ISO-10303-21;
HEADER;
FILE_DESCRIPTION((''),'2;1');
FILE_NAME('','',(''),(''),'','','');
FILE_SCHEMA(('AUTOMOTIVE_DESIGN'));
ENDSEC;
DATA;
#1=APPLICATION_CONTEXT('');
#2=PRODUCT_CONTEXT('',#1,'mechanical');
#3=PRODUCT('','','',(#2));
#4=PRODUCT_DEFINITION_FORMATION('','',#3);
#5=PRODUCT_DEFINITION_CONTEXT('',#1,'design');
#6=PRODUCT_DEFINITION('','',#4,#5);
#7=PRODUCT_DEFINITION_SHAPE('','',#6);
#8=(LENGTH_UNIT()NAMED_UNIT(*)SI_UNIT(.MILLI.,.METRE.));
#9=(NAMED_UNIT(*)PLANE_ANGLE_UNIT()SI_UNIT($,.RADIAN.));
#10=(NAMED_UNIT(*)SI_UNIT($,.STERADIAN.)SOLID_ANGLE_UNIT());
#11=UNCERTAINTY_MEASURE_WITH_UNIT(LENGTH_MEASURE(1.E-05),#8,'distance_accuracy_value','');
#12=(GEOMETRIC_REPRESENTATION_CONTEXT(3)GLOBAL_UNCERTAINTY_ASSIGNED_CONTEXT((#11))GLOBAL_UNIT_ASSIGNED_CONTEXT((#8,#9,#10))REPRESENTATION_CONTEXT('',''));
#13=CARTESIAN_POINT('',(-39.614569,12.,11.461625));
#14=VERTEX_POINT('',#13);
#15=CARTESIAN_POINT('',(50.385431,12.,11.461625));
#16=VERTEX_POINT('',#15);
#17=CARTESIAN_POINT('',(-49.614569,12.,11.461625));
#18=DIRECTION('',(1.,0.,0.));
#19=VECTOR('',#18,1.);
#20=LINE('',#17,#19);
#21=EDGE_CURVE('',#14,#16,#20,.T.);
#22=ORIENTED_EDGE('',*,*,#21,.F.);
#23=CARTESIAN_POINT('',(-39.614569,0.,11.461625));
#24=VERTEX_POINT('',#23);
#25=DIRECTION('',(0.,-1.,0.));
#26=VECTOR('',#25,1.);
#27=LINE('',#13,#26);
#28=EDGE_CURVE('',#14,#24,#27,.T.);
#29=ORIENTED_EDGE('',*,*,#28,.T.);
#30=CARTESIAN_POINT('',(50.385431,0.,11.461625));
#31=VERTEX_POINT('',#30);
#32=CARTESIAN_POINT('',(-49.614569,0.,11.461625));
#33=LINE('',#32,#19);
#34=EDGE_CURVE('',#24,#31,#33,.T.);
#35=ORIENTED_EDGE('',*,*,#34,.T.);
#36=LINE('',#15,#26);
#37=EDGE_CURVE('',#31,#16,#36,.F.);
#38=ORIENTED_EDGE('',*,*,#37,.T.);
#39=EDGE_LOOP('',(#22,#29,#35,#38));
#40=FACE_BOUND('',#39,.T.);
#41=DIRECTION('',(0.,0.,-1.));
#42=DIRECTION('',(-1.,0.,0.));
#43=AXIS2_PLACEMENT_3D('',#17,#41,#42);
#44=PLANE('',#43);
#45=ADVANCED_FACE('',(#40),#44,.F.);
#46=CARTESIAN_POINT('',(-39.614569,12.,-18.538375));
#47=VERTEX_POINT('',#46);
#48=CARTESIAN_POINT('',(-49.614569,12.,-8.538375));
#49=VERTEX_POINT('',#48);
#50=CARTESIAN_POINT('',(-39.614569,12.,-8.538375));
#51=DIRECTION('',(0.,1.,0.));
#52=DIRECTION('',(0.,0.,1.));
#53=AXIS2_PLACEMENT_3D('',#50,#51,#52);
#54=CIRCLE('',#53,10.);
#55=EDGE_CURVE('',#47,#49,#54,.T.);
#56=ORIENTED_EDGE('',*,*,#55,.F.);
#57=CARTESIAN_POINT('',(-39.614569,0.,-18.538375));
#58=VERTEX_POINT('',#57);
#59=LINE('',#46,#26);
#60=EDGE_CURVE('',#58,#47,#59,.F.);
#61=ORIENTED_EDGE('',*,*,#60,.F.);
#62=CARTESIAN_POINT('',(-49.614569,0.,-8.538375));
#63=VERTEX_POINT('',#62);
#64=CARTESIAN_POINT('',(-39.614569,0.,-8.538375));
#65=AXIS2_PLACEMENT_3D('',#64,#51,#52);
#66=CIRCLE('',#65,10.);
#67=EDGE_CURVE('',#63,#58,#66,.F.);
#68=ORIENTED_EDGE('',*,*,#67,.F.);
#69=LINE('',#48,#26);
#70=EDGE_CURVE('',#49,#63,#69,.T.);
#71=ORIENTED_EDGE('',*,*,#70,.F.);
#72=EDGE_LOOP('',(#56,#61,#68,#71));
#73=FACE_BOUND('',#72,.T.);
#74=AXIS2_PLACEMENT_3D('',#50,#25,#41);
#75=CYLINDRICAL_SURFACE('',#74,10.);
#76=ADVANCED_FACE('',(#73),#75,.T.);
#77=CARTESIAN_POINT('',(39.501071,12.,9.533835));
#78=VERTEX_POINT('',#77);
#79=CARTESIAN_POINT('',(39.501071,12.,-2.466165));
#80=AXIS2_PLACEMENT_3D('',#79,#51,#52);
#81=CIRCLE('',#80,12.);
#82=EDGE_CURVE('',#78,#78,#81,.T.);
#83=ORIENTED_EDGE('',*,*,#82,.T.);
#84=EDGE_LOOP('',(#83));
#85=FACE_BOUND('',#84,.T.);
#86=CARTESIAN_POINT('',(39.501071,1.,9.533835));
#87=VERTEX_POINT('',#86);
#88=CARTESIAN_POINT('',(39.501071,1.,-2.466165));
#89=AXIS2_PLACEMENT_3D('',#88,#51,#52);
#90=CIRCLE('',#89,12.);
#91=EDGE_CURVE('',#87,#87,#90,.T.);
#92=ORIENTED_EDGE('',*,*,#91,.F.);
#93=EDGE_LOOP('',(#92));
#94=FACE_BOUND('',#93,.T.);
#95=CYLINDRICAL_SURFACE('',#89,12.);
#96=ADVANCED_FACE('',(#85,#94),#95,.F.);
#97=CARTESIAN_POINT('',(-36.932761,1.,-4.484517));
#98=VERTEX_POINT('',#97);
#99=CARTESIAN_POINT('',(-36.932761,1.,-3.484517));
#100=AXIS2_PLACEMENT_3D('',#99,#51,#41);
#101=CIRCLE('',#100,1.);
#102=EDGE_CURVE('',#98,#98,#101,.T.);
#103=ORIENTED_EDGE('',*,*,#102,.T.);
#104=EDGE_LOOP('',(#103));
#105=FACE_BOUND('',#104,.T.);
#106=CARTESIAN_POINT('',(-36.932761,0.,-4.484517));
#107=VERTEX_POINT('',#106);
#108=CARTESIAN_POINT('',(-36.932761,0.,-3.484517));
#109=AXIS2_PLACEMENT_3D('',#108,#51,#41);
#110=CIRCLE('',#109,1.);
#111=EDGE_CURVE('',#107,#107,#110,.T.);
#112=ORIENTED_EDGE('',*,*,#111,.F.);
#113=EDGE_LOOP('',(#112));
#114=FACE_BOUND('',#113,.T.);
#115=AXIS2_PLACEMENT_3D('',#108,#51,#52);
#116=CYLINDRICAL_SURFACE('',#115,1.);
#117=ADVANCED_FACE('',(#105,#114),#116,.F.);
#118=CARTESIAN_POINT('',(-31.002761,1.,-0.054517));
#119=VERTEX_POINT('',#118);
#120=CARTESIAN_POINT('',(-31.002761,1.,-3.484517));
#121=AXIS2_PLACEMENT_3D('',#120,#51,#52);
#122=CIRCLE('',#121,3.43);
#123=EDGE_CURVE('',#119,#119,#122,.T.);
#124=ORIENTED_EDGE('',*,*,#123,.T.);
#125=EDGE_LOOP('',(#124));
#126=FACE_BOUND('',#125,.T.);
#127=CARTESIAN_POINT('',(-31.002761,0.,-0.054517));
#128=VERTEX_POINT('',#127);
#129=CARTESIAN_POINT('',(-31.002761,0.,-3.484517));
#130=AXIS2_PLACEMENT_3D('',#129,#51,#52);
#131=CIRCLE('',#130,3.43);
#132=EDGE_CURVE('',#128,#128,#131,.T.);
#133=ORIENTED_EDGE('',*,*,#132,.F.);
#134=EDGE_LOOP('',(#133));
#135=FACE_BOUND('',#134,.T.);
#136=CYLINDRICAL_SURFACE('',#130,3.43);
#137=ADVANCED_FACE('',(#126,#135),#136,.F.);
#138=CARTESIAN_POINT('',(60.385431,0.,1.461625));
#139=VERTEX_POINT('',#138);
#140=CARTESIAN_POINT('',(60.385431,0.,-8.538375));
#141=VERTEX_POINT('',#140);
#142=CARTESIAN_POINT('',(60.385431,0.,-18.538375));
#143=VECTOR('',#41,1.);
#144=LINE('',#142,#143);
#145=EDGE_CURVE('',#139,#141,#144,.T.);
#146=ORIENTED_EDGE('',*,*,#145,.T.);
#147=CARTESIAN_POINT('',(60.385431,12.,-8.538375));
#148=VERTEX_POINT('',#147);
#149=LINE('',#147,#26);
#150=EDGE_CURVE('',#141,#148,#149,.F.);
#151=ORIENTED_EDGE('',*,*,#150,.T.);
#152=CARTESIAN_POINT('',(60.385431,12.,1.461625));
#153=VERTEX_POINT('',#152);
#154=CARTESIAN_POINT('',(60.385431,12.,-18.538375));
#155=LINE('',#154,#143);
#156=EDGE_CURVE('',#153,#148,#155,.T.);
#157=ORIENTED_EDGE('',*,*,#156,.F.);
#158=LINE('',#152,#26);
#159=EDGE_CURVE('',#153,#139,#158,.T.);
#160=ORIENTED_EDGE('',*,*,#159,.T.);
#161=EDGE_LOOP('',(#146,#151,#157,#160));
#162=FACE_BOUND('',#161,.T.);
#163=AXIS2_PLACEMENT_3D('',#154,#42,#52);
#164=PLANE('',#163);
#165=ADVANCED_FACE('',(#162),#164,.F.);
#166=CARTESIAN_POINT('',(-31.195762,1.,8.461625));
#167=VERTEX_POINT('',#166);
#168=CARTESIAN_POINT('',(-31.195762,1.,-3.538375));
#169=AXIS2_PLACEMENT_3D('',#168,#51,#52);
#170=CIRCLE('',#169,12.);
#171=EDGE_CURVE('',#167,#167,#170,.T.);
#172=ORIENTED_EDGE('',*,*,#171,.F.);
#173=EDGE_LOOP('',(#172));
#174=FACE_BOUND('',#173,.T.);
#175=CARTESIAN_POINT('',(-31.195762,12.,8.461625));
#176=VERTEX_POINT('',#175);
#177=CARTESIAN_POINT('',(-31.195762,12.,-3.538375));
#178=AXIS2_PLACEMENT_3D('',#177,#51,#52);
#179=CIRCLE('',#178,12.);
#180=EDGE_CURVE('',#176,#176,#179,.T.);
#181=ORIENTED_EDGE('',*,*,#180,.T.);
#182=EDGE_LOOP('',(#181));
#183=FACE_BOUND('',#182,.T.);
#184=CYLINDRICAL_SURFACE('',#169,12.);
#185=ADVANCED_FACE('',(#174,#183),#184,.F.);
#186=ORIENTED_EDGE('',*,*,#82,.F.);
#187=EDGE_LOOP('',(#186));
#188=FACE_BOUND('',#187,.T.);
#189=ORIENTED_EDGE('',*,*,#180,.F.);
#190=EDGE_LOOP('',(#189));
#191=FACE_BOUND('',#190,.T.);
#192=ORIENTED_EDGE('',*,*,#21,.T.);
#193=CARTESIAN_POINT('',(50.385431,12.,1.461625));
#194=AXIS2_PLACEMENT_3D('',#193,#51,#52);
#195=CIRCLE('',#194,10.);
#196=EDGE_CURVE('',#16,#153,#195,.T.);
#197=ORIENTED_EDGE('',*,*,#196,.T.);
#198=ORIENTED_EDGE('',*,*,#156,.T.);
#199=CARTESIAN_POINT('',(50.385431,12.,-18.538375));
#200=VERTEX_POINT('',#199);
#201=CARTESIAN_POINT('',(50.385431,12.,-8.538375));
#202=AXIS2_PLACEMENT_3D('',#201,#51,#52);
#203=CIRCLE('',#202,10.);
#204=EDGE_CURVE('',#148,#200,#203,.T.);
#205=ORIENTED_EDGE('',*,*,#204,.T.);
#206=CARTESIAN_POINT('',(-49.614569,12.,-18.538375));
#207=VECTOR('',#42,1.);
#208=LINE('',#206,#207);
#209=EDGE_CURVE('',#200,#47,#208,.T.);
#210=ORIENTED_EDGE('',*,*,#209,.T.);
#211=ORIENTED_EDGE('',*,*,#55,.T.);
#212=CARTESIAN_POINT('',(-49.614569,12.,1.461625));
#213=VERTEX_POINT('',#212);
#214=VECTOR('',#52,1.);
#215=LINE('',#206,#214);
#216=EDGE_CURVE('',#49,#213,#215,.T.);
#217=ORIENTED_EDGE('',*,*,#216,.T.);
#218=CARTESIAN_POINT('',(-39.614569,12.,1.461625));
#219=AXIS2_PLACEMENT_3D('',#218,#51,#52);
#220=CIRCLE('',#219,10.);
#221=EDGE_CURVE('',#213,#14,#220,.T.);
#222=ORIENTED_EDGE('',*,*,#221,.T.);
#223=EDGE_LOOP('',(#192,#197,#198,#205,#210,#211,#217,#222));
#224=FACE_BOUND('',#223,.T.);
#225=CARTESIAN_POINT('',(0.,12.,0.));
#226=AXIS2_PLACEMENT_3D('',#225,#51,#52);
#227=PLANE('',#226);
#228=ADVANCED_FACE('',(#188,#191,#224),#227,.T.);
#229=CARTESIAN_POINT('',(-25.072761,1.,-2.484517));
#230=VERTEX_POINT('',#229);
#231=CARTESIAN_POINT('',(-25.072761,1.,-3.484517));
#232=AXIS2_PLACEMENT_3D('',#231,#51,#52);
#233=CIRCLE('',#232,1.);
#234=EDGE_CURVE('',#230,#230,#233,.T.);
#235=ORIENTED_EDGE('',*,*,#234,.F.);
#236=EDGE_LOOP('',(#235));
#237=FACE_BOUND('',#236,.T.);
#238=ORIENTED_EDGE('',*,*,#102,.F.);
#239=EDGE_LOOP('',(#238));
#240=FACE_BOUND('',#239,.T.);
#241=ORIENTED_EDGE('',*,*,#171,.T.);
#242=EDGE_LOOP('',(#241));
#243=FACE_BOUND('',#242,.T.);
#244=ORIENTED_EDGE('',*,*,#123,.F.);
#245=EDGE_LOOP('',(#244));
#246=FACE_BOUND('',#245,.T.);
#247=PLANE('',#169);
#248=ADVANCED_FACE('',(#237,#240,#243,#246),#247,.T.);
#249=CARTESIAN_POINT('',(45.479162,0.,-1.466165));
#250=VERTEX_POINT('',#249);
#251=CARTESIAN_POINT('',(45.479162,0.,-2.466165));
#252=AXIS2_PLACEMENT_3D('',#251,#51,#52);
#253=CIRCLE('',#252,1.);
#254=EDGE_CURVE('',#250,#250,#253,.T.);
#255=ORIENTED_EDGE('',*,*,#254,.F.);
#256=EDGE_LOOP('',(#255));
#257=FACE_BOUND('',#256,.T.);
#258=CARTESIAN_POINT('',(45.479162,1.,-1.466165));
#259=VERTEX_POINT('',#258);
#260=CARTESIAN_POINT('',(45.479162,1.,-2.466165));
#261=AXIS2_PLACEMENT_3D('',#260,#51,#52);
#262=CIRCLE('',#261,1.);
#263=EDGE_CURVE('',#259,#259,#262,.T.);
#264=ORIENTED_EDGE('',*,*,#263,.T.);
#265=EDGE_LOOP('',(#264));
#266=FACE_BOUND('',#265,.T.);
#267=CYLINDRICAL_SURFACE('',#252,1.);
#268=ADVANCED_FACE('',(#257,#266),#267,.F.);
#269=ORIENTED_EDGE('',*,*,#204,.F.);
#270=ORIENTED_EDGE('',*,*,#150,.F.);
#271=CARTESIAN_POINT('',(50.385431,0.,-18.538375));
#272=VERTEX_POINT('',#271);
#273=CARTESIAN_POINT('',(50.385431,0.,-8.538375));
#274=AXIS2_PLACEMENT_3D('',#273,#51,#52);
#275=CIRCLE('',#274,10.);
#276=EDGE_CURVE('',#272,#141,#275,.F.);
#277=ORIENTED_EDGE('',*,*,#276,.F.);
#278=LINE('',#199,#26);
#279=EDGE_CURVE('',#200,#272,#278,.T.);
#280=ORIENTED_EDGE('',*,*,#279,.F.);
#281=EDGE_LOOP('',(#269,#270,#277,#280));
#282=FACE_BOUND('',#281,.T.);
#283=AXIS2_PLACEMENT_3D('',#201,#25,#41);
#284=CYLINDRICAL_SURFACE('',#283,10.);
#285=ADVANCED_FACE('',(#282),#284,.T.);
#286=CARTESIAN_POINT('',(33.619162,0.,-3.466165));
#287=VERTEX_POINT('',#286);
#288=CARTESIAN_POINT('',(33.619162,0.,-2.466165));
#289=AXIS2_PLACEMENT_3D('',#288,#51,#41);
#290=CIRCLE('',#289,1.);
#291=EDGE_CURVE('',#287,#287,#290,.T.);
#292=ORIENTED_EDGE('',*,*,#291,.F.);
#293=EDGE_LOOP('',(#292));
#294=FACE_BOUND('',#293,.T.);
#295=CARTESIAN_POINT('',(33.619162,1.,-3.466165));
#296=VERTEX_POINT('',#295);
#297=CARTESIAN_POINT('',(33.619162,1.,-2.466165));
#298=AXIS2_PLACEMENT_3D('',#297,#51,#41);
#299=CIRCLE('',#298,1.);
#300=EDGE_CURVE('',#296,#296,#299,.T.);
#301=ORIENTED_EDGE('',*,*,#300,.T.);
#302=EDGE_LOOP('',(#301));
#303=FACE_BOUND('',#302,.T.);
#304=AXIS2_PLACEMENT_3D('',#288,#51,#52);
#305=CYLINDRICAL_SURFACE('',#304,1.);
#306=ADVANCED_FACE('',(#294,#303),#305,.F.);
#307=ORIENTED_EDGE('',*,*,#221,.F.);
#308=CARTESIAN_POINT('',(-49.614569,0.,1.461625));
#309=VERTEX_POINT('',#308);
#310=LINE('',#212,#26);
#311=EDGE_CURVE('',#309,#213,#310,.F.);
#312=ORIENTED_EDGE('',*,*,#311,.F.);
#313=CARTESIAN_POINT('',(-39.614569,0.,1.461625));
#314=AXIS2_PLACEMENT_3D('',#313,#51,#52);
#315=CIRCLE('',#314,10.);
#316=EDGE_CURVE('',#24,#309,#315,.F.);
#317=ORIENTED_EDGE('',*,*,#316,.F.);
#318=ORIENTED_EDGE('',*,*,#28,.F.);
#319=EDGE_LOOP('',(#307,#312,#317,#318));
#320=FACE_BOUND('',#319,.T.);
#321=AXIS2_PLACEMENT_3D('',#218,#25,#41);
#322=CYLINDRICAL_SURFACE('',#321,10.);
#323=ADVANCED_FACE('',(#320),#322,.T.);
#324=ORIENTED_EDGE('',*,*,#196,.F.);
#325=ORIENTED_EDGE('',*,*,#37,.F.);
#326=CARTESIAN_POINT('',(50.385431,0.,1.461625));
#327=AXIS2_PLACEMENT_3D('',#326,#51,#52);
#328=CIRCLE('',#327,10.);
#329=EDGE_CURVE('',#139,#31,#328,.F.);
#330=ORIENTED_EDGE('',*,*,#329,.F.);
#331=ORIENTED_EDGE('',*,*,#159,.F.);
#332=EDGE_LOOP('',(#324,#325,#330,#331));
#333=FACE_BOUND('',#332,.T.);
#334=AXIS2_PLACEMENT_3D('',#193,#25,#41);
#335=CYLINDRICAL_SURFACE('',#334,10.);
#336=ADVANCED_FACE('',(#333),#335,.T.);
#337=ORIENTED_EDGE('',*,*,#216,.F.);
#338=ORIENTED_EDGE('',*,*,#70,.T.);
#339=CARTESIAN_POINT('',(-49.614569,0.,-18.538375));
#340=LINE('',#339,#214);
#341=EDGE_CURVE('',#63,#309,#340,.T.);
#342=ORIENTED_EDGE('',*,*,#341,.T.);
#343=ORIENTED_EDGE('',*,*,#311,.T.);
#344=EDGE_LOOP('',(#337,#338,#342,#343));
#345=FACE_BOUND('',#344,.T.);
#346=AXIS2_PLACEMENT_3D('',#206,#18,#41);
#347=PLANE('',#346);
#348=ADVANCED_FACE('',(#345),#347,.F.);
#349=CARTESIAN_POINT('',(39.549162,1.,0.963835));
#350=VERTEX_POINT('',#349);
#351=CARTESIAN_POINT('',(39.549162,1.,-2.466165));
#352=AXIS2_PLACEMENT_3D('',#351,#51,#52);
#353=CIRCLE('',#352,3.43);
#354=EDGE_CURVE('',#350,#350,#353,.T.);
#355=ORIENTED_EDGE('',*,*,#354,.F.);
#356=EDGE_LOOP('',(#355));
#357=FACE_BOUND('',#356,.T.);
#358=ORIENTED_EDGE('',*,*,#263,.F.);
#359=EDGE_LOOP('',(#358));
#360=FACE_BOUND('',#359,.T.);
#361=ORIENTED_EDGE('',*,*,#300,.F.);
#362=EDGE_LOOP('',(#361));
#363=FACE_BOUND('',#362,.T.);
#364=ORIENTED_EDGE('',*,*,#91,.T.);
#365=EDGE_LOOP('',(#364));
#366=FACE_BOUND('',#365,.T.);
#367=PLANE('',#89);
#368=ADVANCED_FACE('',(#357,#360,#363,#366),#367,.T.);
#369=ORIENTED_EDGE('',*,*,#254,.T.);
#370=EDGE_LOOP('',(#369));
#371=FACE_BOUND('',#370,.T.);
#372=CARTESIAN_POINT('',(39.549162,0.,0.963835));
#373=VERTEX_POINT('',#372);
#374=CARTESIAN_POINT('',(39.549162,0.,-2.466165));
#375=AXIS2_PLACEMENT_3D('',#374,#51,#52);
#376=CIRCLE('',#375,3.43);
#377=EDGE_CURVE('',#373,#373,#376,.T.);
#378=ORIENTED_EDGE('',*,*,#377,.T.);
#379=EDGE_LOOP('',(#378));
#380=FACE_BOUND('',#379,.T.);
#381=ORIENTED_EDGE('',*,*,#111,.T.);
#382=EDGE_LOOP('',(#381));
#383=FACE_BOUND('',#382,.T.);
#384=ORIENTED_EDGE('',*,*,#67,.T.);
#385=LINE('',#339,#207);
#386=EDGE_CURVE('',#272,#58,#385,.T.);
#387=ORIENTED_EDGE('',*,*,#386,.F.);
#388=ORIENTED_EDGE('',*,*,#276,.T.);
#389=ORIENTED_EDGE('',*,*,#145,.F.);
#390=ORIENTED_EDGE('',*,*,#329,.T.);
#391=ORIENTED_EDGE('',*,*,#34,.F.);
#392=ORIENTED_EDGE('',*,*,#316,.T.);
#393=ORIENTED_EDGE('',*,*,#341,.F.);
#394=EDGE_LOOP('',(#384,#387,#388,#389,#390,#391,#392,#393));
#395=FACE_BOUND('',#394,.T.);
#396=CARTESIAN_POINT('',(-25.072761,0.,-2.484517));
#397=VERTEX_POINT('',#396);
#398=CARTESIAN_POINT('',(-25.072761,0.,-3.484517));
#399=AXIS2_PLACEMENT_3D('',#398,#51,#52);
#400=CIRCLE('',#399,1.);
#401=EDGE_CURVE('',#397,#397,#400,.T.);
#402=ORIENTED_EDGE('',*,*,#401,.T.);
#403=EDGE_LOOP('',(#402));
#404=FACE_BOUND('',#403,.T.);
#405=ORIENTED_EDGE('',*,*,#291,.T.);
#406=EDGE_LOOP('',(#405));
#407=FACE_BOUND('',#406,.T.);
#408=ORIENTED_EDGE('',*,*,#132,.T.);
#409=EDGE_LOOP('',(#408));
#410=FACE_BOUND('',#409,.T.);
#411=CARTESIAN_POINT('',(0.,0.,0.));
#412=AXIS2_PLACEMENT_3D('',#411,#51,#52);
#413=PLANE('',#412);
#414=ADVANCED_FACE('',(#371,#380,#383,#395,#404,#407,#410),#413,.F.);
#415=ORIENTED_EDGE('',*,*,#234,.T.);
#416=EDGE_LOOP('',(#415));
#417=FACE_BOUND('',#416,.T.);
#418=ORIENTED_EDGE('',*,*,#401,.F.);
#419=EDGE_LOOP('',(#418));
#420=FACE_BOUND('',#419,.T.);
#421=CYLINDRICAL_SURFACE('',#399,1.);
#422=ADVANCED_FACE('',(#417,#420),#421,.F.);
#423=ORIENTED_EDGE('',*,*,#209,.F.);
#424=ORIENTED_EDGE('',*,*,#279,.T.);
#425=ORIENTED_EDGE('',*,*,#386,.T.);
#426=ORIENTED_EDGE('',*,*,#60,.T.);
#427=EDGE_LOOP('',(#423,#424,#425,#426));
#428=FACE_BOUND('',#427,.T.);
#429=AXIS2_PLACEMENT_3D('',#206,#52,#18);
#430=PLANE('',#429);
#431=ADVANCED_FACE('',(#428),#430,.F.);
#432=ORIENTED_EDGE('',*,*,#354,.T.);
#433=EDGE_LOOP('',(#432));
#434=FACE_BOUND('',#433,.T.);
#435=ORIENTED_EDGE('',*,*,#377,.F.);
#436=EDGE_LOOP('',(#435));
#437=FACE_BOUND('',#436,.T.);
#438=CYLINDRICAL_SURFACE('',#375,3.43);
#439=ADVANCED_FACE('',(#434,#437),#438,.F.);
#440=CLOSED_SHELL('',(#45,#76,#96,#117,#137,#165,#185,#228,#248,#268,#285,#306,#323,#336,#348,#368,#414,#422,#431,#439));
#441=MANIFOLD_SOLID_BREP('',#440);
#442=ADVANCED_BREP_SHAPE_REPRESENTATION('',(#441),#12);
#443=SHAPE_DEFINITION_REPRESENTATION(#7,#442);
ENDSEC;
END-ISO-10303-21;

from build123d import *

# Parameters (mm, degrees)
SKETCH1_W           = 110
SKETCH1_H           = 30
BOSS_EXTRUDE1_DEPTH = 12
FILLET1_R           = 10
FILLET2_R           = 10
SKETCH9_R           = 12
CUT_EXTRUDE5_DEPTH  = 11
SKETCH13_R          = 12
CUT_EXTRUDE7_DEPTH  = 11
SKETCH15_R          = 3.43
SKETCH15_R_2        = 1
CUT_EXTRUDE8_DEPTH  = 123.394479271
SKETCH16_R          = 3.43
SKETCH16_R_2        = 1
CUT_EXTRUDE9_DEPTH  = 123.394479271


with BuildPart() as part:
    # Sketch1 → Boss-Extrude1 (new body)
    with BuildSketch(Plane(origin=(0, 0, 0), x_dir=(1, 0, 0), z_dir=(0, 1, 0))):
        with Locations((5.385430756, 3.53837453)):
            Rectangle(SKETCH1_W, SKETCH1_H)
    extrude(amount=BOSS_EXTRUDE1_DEPTH)

    # Fillet1
    fillet1_edges = [part.edges().sort_by_distance(p)[0] for p in [
        (-49.614569244, 6, -18.53837453),
        (-49.614569244, 6, 11.46162547),
    ]]
    fillet(fillet1_edges, radius=FILLET1_R)

    # Fillet2
    fillet2_edges = [part.edges().sort_by_distance(p)[0] for p in [
        (60.385430756, 6, -18.53837453),
        (60.385430756, 6, 11.46162547),
    ]]
    fillet(fillet2_edges, radius=FILLET2_R)

    # Sketch9 → Cut-Extrude5 (cut)
    with BuildSketch(Plane(origin=(0, 12, 0), x_dir=(1, 0, 0), z_dir=(0, 1, 0))):
        with Locations(Location((-31.195762423, 3.53837453, 0), (0, 0, 270))):
            Circle(SKETCH9_R)
    extrude(amount=-CUT_EXTRUDE5_DEPTH, mode=Mode.SUBTRACT)

    # Sketch13 → Cut-Extrude7 (cut)
    with BuildSketch(Plane(origin=(70.696833098, 12, 1.072209922), x_dir=(1, 0, 0), z_dir=(0, 1, 0))):
        with Locations(Location((-31.195762423, 3.53837453, 0), (0, 0, 270))):
            Circle(SKETCH13_R)
    extrude(amount=-CUT_EXTRUDE7_DEPTH, mode=Mode.SUBTRACT)

    # Sketch15 → Cut-Extrude8 (cut, through all)
    with BuildSketch(Plane(origin=(70.696833098, 1, 1.072209922), x_dir=(1, 0, 0), z_dir=(0, 1, 0))):
        with Locations(Location((-31.147671482, 3.53837453, 0), (0, 0, 270))):
            Circle(SKETCH15_R)
        with Locations(Location((-25.217671482, 3.53837453, 0), (0, 0, 270))):
            Circle(SKETCH15_R_2)
        with Locations(Location((-37.077671482, 3.53837453, 0), (0, 0, 90))):
            Circle(SKETCH15_R_2)
    extrude(amount=-CUT_EXTRUDE8_DEPTH, mode=Mode.SUBTRACT)

    # Sketch16 → Cut-Extrude9 (cut, through all)
    with BuildSketch(Plane(origin=(70.696833098, 1, 1.072209922), x_dir=(1, 0, 0), z_dir=(0, 1, 0))):
        with Locations(Location((-101.699594536, 4.556727145, 0), (0, 0, 270))):
            Circle(SKETCH16_R)
        with Locations(Location((-95.769594536, 4.556727145, 0), (0, 0, 270))):
            Circle(SKETCH16_R_2)
        with Locations(Location((-107.629594536, 4.556727145, 0), (0, 0, 90))):
            Circle(SKETCH16_R_2)
    extrude(amount=-CUT_EXTRUDE9_DEPTH, mode=Mode.SUBTRACT)


solid = part.part
